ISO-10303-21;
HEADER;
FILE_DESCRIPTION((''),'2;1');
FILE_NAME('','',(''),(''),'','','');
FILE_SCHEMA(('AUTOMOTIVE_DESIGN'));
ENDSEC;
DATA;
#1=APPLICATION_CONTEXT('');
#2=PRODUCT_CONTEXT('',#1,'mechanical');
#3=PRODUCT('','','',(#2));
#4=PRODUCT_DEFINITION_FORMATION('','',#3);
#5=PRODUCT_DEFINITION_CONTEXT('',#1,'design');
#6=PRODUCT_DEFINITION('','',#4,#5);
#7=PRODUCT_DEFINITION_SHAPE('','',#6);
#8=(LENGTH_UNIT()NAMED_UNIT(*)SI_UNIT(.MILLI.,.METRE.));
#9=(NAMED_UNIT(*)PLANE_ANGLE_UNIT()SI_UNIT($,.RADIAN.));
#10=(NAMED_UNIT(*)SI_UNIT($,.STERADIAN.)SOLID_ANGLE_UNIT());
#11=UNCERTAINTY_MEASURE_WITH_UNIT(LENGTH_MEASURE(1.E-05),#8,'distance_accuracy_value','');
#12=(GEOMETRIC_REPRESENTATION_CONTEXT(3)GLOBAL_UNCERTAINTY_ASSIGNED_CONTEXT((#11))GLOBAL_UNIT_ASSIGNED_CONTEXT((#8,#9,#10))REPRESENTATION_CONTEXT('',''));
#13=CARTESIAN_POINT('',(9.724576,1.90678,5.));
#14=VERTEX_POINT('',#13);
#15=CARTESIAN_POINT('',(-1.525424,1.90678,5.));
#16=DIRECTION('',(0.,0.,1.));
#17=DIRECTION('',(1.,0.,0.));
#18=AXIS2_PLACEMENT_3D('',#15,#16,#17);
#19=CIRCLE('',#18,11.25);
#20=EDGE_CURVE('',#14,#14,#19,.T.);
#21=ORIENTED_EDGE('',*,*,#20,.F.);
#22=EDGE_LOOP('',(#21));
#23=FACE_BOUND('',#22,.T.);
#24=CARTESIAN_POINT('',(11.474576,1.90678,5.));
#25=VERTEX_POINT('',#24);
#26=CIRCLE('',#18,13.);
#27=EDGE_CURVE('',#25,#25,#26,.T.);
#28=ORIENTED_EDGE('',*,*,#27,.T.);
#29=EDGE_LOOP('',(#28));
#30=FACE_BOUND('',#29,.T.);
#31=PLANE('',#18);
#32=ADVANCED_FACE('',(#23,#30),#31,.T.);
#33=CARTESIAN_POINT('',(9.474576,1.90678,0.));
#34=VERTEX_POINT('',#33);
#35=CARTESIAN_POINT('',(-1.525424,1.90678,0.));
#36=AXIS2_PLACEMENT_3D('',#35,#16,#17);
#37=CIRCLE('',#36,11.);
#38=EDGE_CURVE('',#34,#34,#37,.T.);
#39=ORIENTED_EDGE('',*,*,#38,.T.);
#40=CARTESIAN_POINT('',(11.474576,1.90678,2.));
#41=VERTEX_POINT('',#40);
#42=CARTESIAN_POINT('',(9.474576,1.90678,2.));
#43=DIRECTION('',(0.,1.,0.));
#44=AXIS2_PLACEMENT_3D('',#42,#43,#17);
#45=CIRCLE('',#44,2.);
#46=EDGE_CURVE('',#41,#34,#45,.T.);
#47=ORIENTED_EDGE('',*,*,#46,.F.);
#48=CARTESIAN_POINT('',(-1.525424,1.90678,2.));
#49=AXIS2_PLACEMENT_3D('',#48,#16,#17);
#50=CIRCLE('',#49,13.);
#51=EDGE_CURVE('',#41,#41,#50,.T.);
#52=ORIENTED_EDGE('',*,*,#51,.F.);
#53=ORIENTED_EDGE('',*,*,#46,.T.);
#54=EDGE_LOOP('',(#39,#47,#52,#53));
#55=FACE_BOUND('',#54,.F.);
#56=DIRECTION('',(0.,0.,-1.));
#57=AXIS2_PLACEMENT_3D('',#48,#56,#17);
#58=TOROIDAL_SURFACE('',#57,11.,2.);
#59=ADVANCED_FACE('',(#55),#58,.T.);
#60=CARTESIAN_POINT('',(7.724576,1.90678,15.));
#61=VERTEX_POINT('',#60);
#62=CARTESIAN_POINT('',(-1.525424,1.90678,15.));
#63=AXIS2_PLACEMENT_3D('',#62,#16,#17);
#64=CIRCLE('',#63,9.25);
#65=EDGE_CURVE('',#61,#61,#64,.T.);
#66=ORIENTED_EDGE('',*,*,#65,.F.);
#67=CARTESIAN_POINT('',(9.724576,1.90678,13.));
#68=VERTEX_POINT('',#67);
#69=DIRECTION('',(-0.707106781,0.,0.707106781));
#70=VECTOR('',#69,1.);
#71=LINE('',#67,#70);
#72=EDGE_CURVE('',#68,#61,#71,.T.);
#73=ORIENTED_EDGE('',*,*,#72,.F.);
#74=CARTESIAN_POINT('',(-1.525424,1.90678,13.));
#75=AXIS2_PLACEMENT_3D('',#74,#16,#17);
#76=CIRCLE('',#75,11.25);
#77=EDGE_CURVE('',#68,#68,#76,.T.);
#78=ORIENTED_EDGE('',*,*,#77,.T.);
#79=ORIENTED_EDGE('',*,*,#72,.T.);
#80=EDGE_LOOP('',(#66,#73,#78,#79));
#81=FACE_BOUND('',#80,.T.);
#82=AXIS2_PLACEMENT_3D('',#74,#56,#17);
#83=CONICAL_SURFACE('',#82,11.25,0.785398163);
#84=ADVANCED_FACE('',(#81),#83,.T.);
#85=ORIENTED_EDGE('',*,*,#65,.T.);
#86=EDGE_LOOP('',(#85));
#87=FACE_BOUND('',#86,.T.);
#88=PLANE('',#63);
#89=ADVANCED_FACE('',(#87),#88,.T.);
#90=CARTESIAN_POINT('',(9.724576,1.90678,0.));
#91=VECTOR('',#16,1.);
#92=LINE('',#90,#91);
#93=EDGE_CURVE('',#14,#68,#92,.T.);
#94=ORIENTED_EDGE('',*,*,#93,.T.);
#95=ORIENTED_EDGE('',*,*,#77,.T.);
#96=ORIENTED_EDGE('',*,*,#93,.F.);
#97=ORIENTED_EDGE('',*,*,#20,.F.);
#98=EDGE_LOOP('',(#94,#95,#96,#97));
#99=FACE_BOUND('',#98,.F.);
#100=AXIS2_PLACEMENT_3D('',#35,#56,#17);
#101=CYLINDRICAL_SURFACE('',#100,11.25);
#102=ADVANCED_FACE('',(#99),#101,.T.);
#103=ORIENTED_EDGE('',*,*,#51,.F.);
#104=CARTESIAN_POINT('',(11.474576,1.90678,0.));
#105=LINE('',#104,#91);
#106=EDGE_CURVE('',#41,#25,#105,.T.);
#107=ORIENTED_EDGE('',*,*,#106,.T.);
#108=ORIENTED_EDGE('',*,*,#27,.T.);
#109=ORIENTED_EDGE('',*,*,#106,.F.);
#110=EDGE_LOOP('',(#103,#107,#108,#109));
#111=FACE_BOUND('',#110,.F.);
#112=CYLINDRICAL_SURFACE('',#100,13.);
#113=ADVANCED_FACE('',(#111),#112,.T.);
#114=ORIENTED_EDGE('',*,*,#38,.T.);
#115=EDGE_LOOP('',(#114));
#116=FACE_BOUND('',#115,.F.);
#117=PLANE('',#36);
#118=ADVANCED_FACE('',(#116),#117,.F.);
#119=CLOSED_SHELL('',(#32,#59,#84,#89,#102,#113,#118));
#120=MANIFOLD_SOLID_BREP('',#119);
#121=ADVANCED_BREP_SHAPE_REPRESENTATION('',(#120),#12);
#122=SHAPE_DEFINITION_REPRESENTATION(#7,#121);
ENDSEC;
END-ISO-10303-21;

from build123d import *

# Parameters (mm, degrees)
F0_R     = 13
F0_R_2   = 11.25
F1_DEPTH = 5
F2_DEPTH = 15
F3_SIZE  = 2
F4_R     = 2


with BuildPart() as f1:
    # F0 (on Top) → F1 (new body)
    with BuildSketch(Plane.XY):
        with Locations((-1.525424, 1.90678)):
            Circle(F0_R)
        with Locations((-1.525424, 1.90678)):
            Circle(F0_R_2, mode=Mode.SUBTRACT)
    extrude(amount=F1_DEPTH)

    # F0 (on Top) → F2 (join)
    with BuildSketch(Plane.XY):
        with Locations((-1.525424, 1.90678)):
            Circle(F0_R_2)
    extrude(amount=F2_DEPTH)

    # F3
    f3_edges = [f1.edges().sort_by_distance(p)[0] for p in [
        (-12.775424, 1.90678, 15),
    ]]
    chamfer(f3_edges, length=F3_SIZE)

    # F4
    f4_edges = [f1.edges().sort_by_distance(p)[0] for p in [
        (-14.525424, 1.90678, 0),
    ]]
    fillet(f4_edges, radius=F4_R)


solid = f1.part
